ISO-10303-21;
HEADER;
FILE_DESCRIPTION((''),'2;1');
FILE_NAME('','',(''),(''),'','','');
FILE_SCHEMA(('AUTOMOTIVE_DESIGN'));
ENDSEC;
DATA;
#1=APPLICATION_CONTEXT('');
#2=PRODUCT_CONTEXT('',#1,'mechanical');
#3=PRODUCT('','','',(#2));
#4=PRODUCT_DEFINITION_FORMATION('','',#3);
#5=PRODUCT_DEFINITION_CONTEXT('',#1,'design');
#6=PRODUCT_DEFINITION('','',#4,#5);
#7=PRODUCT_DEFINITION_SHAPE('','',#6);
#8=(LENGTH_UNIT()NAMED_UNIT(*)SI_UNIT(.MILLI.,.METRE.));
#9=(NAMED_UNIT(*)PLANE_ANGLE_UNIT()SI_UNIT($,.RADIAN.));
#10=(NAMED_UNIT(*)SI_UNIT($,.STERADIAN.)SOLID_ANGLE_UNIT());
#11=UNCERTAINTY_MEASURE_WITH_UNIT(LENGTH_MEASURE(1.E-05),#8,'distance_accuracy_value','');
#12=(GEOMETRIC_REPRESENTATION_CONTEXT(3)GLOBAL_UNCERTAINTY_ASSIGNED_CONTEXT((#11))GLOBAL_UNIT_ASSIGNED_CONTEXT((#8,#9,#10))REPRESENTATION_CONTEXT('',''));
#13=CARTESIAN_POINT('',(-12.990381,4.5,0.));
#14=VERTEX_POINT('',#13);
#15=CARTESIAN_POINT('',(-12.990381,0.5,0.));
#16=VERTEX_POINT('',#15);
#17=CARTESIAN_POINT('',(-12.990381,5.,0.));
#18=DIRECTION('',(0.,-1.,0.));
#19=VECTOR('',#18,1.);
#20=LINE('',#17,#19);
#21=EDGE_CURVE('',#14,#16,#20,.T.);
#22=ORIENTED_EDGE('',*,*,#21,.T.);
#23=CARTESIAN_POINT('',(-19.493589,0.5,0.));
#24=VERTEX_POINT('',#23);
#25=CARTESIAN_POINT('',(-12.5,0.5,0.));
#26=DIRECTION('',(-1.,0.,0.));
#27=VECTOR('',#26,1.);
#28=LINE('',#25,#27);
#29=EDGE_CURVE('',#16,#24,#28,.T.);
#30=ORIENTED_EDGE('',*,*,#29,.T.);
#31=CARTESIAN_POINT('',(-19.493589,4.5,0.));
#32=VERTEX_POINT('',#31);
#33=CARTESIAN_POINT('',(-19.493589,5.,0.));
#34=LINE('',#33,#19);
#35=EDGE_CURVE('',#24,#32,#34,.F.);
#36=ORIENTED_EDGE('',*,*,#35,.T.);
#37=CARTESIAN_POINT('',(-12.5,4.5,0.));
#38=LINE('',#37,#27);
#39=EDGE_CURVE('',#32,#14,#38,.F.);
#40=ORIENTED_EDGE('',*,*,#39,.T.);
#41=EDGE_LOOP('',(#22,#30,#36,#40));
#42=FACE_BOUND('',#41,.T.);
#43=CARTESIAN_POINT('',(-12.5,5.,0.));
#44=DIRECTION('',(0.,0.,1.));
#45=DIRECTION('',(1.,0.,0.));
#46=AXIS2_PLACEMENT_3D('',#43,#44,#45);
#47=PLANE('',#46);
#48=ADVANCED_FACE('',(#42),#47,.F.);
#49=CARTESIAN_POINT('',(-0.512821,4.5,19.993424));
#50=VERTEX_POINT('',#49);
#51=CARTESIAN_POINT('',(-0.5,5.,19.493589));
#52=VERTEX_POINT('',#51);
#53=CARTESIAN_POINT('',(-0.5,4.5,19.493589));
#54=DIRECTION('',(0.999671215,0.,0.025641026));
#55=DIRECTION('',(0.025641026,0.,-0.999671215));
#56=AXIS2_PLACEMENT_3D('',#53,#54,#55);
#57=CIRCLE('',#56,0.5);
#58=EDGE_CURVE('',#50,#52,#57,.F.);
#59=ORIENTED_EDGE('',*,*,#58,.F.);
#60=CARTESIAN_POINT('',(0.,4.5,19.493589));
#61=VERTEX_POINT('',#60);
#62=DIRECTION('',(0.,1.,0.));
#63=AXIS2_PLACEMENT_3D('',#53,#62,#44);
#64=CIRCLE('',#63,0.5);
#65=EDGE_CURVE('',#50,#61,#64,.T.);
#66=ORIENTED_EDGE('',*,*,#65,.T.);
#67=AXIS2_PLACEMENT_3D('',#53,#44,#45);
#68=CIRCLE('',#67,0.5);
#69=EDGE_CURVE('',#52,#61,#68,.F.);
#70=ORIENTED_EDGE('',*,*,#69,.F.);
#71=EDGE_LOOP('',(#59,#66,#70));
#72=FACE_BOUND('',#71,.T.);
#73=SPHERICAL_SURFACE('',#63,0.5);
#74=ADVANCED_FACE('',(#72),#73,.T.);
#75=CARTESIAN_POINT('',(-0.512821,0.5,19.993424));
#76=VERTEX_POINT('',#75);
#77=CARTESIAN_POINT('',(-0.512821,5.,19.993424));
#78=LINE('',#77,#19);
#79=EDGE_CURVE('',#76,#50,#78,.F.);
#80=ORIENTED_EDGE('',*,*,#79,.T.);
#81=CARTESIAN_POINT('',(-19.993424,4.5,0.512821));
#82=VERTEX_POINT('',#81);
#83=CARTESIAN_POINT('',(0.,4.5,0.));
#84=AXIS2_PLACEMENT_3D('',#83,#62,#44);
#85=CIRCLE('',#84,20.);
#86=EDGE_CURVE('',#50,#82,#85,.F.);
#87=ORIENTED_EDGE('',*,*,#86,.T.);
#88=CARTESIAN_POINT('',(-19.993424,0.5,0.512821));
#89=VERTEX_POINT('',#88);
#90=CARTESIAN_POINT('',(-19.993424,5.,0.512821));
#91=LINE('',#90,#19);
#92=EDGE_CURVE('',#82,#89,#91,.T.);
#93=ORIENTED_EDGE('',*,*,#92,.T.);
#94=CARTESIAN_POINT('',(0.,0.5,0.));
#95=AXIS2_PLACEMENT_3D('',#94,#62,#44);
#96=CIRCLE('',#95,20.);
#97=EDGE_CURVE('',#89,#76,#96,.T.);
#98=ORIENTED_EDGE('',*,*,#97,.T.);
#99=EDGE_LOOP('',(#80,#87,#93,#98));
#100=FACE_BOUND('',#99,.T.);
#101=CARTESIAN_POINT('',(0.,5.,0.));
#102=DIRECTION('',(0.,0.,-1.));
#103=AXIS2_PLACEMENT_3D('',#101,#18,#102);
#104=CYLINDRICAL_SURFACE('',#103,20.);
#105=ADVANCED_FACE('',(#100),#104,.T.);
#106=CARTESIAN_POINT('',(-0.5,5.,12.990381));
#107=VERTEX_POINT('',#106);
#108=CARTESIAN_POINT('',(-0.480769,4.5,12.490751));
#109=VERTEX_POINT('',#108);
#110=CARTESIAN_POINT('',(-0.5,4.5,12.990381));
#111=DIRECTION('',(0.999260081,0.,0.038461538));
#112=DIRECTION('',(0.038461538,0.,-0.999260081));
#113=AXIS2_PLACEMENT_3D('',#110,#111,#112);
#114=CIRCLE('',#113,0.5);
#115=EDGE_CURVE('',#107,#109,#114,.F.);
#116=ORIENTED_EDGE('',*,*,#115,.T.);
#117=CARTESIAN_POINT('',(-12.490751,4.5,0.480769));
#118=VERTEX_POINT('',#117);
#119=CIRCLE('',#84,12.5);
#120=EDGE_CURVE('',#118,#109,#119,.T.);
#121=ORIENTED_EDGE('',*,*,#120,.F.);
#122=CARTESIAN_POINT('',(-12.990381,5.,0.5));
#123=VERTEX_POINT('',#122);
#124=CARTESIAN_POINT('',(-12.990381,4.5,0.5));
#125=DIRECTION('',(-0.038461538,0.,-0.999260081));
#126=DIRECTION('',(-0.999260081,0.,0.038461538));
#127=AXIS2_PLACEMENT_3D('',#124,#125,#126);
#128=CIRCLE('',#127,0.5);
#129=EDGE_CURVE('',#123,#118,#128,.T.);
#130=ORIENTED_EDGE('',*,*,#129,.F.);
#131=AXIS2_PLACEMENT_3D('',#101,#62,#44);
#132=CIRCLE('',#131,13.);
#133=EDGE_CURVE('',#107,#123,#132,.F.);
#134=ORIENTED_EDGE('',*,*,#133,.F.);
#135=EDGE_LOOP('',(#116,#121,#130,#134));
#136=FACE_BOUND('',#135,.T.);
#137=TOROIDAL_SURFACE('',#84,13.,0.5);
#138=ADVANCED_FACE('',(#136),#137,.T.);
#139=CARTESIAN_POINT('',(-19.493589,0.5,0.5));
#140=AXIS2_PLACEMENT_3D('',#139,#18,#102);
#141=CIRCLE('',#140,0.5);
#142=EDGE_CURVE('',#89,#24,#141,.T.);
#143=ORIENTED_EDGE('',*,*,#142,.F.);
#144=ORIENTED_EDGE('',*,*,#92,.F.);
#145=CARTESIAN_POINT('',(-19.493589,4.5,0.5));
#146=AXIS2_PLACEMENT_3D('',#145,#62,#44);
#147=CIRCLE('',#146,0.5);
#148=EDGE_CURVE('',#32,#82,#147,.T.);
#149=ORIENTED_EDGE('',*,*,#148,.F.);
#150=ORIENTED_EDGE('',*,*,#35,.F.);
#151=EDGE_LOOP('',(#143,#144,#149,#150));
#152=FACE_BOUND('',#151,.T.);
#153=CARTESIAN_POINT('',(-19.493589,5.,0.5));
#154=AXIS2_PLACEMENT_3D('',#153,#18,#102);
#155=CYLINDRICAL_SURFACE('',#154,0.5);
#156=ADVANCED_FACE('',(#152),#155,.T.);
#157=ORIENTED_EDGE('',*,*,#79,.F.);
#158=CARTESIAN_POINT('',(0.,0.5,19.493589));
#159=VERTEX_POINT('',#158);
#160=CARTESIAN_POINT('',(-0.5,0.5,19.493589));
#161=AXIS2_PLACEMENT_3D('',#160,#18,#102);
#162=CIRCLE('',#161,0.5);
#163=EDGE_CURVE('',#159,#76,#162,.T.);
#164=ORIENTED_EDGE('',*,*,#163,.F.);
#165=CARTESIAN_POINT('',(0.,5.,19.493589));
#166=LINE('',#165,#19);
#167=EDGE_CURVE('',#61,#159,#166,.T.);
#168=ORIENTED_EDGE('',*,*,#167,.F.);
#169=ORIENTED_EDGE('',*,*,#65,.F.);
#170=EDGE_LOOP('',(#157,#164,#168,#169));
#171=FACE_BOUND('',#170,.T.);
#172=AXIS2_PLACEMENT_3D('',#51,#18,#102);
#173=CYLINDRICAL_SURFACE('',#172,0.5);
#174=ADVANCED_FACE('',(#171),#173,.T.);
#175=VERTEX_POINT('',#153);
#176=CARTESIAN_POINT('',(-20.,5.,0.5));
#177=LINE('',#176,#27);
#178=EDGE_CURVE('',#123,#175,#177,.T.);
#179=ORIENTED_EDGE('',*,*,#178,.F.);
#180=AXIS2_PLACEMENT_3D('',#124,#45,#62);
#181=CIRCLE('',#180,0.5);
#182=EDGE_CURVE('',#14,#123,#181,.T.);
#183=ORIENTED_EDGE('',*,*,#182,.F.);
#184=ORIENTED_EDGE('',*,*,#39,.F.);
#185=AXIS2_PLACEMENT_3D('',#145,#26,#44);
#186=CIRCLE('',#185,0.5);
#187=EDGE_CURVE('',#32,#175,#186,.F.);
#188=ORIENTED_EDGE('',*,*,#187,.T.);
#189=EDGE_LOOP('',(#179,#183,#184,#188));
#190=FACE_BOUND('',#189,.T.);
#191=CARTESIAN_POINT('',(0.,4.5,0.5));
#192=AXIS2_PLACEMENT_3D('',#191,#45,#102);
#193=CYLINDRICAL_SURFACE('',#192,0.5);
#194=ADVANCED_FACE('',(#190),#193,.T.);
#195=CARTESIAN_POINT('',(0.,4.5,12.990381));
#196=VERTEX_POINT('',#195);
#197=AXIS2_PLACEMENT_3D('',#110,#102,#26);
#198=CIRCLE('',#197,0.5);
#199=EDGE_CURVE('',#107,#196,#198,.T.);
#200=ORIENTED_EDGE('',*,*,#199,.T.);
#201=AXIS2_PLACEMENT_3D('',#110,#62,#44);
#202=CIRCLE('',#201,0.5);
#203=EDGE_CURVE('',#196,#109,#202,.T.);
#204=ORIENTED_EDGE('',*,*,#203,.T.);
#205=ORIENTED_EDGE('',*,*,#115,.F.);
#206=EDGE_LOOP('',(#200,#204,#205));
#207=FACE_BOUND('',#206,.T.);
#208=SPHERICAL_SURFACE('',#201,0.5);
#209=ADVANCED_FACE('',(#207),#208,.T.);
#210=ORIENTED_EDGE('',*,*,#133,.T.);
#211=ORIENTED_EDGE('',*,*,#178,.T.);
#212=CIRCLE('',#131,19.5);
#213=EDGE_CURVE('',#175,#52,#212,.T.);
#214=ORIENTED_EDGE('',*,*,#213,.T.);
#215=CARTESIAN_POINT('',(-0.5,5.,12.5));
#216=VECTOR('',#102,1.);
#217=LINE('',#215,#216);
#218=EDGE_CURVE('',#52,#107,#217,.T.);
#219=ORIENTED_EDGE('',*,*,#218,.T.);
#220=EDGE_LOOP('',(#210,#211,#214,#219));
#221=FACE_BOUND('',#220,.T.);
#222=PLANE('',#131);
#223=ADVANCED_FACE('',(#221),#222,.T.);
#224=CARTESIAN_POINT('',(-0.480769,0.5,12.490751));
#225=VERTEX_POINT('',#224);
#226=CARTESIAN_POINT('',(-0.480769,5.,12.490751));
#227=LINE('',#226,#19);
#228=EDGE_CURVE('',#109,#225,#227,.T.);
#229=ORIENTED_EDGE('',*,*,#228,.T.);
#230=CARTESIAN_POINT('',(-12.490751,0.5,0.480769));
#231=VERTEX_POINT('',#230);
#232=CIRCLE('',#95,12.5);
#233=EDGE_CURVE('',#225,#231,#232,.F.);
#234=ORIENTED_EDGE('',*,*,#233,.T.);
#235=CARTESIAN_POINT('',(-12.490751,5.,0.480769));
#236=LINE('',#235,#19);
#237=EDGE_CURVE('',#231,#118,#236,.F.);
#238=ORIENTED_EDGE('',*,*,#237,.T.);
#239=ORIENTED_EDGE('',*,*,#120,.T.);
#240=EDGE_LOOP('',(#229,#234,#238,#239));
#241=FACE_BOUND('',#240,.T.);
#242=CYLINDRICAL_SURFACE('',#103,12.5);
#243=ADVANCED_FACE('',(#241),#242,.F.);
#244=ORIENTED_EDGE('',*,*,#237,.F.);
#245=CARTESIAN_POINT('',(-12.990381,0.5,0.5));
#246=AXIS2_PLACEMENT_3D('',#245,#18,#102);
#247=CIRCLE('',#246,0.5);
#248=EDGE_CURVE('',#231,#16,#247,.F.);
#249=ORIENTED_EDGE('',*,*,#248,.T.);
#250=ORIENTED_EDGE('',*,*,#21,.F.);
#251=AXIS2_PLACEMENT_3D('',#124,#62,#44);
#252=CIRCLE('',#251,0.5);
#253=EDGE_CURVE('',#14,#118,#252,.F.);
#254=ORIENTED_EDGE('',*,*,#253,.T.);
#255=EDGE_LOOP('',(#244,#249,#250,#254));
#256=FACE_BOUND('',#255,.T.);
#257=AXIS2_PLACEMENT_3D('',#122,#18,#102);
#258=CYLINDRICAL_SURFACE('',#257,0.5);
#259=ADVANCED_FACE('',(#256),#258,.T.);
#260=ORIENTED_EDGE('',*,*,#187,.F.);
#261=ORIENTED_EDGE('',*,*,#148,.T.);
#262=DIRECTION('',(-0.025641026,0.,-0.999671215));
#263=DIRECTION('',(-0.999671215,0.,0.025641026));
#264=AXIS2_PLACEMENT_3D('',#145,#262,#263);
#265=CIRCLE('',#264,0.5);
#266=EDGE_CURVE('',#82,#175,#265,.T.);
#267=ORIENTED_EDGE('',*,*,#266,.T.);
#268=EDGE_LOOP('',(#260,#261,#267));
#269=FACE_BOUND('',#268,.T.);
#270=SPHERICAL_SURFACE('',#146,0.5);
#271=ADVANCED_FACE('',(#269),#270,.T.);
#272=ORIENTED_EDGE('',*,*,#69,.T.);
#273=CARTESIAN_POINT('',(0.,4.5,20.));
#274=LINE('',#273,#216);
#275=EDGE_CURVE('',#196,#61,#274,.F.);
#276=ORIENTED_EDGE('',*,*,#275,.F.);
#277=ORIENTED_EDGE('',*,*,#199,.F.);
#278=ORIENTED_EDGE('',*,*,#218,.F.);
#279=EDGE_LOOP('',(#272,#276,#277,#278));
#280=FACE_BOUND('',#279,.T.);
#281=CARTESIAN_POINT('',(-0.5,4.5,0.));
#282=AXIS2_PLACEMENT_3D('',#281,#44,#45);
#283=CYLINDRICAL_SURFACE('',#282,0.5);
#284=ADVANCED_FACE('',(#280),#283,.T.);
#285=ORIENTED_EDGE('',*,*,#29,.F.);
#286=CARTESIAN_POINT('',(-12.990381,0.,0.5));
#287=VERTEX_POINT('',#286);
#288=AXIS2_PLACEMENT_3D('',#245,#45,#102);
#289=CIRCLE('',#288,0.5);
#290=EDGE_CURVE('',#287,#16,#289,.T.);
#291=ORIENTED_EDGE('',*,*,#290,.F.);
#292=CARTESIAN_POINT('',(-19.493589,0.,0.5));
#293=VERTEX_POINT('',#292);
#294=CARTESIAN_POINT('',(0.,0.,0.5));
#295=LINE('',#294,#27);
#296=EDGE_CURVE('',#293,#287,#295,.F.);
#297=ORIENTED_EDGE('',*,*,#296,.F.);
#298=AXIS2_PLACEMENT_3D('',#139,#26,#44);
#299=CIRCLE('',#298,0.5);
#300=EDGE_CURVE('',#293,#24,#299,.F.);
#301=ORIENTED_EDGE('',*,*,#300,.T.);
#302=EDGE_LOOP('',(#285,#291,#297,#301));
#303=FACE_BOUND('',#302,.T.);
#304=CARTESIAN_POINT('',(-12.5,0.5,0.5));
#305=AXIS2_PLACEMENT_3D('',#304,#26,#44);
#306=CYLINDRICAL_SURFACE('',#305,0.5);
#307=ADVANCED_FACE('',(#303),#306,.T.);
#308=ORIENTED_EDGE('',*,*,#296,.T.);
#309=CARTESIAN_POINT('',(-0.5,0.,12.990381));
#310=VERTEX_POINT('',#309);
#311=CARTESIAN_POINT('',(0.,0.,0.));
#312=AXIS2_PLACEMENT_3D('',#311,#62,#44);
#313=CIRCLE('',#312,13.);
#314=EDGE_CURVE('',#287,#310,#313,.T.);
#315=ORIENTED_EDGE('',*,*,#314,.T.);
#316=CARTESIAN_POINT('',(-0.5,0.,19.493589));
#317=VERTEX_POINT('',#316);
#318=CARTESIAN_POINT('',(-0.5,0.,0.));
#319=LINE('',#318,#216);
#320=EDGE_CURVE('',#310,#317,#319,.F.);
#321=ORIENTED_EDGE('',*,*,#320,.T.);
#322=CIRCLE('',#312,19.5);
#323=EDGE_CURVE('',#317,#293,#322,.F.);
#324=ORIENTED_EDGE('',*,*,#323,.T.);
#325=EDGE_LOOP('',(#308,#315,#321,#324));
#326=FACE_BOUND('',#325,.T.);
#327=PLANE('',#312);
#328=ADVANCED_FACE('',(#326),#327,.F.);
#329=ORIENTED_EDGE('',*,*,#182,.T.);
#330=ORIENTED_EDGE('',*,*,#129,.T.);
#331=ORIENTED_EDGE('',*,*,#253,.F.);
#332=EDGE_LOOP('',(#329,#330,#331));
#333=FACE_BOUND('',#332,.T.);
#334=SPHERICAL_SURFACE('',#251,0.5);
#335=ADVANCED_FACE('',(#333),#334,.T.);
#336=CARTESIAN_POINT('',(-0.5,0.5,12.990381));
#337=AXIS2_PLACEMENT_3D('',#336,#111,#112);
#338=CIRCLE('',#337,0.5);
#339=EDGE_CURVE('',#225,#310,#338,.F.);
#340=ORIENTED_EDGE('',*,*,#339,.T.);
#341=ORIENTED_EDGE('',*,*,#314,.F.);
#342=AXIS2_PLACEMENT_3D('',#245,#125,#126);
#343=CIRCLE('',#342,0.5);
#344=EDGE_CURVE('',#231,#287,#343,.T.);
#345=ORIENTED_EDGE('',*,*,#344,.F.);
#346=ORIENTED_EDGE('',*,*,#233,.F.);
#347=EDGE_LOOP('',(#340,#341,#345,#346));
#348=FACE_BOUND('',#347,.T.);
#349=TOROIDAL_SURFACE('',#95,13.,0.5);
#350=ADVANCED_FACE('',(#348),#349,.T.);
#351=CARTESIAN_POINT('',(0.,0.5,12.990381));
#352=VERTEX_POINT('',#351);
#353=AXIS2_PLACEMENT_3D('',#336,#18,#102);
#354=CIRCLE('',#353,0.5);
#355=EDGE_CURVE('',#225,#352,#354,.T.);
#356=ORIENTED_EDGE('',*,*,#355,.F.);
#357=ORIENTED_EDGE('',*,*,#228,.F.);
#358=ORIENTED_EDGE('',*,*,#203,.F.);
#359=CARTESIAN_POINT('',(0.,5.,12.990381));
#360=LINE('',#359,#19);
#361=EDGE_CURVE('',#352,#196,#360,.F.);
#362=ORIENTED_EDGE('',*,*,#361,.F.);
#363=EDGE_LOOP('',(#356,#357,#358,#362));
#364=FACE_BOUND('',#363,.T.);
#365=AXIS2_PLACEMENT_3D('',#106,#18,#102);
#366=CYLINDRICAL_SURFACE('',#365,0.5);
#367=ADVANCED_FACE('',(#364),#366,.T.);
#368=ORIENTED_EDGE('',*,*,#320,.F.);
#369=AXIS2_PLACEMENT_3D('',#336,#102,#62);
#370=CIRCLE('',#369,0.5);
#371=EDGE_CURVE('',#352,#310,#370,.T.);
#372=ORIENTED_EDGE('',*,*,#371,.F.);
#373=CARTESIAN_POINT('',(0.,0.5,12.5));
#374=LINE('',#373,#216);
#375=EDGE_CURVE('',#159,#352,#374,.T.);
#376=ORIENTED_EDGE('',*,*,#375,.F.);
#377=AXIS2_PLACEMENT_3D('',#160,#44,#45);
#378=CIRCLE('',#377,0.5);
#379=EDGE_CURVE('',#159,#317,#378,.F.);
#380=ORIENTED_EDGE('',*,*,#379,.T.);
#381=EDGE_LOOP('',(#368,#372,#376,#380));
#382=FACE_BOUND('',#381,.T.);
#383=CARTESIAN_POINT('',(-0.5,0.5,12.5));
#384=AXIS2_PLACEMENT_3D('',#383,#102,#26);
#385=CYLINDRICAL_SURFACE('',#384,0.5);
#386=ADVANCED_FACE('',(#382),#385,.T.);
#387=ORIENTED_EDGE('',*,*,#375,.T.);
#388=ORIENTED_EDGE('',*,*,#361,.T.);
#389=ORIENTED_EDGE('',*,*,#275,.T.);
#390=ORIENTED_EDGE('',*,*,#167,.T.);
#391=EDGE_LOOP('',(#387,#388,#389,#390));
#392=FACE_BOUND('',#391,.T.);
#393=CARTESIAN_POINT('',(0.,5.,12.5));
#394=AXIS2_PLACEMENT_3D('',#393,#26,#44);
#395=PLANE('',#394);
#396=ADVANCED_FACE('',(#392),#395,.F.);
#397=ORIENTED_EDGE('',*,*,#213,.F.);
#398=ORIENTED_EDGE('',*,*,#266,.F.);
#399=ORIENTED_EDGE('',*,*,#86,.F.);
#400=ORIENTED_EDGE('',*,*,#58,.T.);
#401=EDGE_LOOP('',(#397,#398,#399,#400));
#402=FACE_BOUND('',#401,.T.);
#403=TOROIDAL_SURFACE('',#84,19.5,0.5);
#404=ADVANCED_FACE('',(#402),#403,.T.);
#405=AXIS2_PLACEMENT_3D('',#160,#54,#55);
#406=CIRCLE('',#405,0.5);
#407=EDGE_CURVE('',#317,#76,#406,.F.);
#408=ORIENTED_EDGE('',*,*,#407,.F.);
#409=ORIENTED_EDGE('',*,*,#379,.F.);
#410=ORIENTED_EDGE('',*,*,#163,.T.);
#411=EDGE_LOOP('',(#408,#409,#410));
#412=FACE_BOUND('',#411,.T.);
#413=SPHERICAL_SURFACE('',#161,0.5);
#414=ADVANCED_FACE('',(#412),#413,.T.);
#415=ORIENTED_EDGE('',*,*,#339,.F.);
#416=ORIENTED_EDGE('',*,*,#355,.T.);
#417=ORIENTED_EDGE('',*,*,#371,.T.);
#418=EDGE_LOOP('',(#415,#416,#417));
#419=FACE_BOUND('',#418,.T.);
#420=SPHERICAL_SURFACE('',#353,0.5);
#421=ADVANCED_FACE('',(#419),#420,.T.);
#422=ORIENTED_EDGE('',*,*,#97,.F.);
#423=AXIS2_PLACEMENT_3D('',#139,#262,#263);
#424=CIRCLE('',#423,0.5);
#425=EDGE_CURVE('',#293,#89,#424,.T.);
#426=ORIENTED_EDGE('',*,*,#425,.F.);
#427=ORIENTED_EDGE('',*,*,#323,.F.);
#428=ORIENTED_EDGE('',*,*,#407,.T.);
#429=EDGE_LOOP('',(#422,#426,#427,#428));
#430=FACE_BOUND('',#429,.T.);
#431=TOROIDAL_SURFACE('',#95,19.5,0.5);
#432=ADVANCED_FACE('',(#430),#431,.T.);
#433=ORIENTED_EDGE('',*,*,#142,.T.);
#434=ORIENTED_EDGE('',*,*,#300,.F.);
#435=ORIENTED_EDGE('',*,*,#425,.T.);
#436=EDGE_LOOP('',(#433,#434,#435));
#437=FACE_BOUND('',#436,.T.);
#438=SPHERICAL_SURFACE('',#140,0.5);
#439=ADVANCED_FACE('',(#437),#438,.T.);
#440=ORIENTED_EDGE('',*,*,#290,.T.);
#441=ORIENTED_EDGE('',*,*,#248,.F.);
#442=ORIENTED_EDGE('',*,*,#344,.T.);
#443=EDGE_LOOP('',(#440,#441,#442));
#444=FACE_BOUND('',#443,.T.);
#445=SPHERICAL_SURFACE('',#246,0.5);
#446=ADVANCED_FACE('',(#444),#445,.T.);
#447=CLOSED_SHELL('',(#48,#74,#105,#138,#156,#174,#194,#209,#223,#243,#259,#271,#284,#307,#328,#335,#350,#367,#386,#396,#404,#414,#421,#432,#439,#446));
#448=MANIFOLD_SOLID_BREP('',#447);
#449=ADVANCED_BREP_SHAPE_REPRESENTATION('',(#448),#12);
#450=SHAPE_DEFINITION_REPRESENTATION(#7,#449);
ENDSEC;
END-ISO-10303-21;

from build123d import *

# Parameters (mm, degrees)
BOSS_EXTRUDE1_DEPTH = 5
FILLET1_R           = 0.5


with BuildPart() as part:
    # Sketch1 → Boss-Extrude1 (new body)
    with BuildSketch(Plane(origin=(0, 0, 0), x_dir=(1, 0, 0), z_dir=(0, 1, 0))):
        with BuildLine():
            Line((-12.5, 0), (-20, 0))
            ThreePointArc((-20, 0), (-14.142135624, -14.142135624), (0, -20))
            Line((0, -20), (0, -12.5))
            ThreePointArc((0, -12.5), (-8.838834765, -8.838834765), (-12.5, 0))
        make_face()
    extrude(amount=BOSS_EXTRUDE1_DEPTH)

    # Fillet1
    fillet1_edges = [part.edges().sort_by_distance(p)[0] for p in [
        (-14.142135624, 5, 14.142135624),
        (0, 5, 16.25),
        (-8.838834765, 5, 8.838834765),
        (0, 0, 16.25),
        (-14.142135624, 0, 14.142135624),
        (-16.25, 0, 0),
        (-8.838834765, 0, 8.838834765),
        (0, 2.5, 12.5),
        (0, 2.5, 20),
        (-20, 2.5, 0),
        (-12.5, 2.5, 0),
        (-16.25, 5, 0),
    ]]
    fillet(fillet1_edges, radius=FILLET1_R)


solid = part.part
